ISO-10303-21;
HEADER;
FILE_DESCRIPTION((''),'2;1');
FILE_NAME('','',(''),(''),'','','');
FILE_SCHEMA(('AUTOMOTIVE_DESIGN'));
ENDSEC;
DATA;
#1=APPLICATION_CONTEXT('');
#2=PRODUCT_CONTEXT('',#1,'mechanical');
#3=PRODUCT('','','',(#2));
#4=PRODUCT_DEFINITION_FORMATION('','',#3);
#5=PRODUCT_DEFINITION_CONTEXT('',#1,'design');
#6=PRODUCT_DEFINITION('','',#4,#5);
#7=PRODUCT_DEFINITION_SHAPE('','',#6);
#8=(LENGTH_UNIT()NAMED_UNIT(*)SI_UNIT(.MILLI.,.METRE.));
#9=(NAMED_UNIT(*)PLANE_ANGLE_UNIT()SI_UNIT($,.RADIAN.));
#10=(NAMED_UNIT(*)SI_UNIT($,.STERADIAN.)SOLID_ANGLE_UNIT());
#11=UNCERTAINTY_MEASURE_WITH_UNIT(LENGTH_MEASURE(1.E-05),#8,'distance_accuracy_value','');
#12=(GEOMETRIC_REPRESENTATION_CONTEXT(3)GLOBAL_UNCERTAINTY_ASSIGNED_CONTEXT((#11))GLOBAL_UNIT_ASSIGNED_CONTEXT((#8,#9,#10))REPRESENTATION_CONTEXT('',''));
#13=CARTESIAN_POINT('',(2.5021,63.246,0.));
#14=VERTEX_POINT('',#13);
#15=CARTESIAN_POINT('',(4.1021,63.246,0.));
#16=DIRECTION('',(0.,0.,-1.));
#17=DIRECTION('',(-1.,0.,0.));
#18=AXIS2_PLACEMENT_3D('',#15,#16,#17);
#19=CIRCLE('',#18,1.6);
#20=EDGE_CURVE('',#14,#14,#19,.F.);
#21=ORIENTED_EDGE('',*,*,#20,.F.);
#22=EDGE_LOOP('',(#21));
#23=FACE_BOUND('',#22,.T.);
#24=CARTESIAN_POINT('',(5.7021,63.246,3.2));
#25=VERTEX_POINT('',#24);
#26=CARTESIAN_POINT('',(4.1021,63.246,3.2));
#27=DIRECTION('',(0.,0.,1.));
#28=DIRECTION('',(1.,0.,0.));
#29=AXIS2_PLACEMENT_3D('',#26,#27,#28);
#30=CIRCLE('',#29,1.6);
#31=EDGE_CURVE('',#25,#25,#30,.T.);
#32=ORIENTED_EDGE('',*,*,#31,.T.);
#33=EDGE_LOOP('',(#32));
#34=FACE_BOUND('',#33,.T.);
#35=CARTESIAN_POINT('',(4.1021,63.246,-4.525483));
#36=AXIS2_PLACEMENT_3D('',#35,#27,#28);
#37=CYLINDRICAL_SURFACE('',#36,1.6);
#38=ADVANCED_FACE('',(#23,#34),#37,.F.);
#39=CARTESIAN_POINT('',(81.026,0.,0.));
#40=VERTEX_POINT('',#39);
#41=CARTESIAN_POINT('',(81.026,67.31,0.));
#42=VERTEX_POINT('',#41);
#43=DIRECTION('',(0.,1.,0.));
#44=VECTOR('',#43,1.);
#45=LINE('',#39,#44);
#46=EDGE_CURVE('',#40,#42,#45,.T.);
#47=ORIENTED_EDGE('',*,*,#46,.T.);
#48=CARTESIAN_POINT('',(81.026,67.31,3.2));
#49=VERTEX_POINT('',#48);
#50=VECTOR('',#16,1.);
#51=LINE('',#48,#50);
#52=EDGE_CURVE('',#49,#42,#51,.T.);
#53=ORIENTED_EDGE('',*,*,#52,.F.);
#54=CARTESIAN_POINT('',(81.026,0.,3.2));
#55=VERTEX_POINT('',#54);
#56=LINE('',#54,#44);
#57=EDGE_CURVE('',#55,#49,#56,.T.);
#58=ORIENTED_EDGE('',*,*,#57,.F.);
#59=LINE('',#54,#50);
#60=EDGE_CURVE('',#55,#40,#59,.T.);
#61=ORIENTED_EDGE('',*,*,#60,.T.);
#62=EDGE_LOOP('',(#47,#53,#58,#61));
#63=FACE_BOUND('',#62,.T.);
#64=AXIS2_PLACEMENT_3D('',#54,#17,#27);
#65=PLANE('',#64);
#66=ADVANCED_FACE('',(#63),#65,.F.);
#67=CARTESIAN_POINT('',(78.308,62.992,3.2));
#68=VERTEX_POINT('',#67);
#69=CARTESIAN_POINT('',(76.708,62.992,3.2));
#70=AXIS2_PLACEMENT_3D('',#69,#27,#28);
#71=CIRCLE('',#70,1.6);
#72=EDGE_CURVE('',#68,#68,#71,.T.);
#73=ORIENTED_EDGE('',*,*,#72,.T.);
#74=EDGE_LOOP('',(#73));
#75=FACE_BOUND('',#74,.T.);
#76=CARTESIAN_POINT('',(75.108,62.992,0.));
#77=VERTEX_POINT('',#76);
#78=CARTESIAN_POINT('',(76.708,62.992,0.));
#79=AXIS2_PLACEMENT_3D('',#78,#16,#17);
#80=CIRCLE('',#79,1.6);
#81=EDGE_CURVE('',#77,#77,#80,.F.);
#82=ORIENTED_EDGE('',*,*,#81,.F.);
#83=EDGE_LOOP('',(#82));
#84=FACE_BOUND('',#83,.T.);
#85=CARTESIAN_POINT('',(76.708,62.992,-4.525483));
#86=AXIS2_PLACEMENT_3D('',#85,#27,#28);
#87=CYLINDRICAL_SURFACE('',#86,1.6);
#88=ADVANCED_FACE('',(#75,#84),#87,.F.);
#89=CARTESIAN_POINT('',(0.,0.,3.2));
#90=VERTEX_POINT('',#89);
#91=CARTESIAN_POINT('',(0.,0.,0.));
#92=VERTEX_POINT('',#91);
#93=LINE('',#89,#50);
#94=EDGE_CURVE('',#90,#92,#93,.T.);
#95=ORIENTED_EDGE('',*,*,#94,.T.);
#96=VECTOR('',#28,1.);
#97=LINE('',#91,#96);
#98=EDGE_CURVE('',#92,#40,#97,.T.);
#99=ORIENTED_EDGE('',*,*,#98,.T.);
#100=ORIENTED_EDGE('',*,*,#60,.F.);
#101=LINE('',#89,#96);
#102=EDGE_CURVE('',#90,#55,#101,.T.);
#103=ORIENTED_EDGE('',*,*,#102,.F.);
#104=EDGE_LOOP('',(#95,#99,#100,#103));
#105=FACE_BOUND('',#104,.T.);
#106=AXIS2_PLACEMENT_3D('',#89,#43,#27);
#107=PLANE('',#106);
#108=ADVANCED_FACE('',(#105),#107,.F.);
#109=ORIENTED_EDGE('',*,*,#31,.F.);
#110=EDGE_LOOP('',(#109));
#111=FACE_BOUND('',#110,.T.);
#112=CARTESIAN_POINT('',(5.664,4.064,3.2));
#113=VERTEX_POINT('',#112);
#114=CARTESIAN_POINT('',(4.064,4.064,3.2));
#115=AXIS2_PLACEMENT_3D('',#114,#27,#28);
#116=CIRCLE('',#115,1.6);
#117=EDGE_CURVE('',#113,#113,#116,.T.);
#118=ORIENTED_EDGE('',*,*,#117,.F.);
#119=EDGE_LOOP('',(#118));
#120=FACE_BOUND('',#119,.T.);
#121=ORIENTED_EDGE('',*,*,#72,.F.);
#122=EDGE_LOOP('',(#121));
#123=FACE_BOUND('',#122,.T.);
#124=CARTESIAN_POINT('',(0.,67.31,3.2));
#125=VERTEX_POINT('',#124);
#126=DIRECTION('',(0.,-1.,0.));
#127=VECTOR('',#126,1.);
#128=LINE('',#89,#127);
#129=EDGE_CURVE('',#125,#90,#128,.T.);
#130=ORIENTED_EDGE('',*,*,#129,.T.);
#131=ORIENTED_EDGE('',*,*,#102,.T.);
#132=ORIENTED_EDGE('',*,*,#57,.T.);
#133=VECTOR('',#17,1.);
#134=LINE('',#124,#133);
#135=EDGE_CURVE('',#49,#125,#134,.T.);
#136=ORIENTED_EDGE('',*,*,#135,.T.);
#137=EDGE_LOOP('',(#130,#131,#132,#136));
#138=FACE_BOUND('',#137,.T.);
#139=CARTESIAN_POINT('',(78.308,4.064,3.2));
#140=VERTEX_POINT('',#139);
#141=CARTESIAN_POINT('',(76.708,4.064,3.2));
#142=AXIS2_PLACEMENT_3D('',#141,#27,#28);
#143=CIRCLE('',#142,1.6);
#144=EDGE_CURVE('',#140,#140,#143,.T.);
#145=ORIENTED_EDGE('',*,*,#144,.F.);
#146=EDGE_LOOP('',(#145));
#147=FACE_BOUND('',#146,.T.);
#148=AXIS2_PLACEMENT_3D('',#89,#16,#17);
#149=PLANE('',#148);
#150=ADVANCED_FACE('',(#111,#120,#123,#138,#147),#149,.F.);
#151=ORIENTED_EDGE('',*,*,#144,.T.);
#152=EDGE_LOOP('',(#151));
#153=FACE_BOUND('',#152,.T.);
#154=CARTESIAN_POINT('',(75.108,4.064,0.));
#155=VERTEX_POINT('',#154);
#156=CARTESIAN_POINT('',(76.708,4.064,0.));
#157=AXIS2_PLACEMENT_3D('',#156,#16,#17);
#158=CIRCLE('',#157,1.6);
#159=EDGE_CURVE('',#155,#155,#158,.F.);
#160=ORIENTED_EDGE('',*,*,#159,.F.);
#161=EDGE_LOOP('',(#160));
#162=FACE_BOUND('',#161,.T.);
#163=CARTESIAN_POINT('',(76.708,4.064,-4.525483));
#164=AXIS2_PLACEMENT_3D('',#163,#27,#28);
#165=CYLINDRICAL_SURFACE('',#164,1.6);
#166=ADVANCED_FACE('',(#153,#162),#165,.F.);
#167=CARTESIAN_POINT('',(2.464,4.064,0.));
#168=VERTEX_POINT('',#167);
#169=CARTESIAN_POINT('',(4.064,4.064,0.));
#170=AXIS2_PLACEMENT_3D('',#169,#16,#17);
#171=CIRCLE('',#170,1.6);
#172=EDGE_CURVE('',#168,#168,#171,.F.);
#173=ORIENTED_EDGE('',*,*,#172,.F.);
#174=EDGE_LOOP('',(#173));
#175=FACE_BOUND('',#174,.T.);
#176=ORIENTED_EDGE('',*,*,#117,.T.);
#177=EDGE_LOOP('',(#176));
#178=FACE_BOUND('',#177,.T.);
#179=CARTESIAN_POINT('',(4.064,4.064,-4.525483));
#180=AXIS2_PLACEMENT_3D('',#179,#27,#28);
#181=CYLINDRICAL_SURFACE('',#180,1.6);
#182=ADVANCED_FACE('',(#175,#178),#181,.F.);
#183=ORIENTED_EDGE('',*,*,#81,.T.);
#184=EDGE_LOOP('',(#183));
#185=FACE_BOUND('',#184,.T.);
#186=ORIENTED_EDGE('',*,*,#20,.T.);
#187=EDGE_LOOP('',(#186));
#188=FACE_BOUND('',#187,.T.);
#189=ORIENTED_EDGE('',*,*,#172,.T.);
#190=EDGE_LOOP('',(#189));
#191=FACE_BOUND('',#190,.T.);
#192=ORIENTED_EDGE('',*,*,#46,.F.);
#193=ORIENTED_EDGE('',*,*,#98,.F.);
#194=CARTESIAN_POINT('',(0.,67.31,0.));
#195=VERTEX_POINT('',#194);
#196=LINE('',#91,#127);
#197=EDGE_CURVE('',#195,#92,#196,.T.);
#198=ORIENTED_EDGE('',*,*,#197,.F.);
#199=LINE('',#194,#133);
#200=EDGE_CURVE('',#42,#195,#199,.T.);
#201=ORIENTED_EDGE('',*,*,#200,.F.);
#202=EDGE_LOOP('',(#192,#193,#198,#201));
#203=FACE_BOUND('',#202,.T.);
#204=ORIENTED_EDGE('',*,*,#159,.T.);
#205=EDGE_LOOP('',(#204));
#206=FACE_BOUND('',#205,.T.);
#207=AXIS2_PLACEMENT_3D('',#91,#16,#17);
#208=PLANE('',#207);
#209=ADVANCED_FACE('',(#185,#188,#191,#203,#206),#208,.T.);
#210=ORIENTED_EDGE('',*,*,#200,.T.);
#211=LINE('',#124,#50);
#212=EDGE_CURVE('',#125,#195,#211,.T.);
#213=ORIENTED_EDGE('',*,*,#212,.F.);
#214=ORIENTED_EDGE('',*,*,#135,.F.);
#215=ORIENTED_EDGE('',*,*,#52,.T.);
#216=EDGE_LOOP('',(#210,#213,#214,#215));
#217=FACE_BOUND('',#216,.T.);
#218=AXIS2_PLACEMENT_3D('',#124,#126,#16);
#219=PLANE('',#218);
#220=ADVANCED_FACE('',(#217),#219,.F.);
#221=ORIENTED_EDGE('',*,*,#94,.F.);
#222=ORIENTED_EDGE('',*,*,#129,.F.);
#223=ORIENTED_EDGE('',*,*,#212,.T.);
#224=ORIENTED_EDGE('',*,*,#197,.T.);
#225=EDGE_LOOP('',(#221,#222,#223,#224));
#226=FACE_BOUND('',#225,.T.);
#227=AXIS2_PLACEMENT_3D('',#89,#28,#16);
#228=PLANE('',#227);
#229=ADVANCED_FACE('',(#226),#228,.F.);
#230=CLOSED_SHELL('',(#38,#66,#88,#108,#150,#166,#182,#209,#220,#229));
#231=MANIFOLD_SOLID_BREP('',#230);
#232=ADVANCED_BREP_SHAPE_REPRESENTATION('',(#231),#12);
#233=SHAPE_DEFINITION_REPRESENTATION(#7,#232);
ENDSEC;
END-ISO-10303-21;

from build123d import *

# Parameters (mm, degrees)
ESQUISSE1_W             = 81.026
ESQUISSE1_H             = 67.31
BOSS_EXTRU_1_DEPTH      = 3.2
ESQUISSE2_R             = 1.6
ENL_V_MAT_EXTRU_1_DEPTH = 3.2


with BuildPart() as part:
    # Esquisse1 → Boss.-Extru.1 (new body)
    with BuildSketch(Plane.XY):
        with Locations((40.513, 33.655)):
            Rectangle(ESQUISSE1_W, ESQUISSE1_H)
    extrude(amount=BOSS_EXTRU_1_DEPTH)

    # Esquisse2 → Enlèv. mat.-Extru.1 (cut)
    with BuildSketch(Plane.XY.offset(3.2)):
        with Locations((4.064, 4.064)):
            Circle(ESQUISSE2_R)
        with Locations((4.1021, 63.246)):
            Circle(ESQUISSE2_R)
        with Locations((76.708, 62.992)):
            Circle(ESQUISSE2_R)
        with Locations((76.708, 4.064)):
            Circle(ESQUISSE2_R)
    extrude(amount=-ENL_V_MAT_EXTRU_1_DEPTH, mode=Mode.SUBTRACT)


solid = part.part
